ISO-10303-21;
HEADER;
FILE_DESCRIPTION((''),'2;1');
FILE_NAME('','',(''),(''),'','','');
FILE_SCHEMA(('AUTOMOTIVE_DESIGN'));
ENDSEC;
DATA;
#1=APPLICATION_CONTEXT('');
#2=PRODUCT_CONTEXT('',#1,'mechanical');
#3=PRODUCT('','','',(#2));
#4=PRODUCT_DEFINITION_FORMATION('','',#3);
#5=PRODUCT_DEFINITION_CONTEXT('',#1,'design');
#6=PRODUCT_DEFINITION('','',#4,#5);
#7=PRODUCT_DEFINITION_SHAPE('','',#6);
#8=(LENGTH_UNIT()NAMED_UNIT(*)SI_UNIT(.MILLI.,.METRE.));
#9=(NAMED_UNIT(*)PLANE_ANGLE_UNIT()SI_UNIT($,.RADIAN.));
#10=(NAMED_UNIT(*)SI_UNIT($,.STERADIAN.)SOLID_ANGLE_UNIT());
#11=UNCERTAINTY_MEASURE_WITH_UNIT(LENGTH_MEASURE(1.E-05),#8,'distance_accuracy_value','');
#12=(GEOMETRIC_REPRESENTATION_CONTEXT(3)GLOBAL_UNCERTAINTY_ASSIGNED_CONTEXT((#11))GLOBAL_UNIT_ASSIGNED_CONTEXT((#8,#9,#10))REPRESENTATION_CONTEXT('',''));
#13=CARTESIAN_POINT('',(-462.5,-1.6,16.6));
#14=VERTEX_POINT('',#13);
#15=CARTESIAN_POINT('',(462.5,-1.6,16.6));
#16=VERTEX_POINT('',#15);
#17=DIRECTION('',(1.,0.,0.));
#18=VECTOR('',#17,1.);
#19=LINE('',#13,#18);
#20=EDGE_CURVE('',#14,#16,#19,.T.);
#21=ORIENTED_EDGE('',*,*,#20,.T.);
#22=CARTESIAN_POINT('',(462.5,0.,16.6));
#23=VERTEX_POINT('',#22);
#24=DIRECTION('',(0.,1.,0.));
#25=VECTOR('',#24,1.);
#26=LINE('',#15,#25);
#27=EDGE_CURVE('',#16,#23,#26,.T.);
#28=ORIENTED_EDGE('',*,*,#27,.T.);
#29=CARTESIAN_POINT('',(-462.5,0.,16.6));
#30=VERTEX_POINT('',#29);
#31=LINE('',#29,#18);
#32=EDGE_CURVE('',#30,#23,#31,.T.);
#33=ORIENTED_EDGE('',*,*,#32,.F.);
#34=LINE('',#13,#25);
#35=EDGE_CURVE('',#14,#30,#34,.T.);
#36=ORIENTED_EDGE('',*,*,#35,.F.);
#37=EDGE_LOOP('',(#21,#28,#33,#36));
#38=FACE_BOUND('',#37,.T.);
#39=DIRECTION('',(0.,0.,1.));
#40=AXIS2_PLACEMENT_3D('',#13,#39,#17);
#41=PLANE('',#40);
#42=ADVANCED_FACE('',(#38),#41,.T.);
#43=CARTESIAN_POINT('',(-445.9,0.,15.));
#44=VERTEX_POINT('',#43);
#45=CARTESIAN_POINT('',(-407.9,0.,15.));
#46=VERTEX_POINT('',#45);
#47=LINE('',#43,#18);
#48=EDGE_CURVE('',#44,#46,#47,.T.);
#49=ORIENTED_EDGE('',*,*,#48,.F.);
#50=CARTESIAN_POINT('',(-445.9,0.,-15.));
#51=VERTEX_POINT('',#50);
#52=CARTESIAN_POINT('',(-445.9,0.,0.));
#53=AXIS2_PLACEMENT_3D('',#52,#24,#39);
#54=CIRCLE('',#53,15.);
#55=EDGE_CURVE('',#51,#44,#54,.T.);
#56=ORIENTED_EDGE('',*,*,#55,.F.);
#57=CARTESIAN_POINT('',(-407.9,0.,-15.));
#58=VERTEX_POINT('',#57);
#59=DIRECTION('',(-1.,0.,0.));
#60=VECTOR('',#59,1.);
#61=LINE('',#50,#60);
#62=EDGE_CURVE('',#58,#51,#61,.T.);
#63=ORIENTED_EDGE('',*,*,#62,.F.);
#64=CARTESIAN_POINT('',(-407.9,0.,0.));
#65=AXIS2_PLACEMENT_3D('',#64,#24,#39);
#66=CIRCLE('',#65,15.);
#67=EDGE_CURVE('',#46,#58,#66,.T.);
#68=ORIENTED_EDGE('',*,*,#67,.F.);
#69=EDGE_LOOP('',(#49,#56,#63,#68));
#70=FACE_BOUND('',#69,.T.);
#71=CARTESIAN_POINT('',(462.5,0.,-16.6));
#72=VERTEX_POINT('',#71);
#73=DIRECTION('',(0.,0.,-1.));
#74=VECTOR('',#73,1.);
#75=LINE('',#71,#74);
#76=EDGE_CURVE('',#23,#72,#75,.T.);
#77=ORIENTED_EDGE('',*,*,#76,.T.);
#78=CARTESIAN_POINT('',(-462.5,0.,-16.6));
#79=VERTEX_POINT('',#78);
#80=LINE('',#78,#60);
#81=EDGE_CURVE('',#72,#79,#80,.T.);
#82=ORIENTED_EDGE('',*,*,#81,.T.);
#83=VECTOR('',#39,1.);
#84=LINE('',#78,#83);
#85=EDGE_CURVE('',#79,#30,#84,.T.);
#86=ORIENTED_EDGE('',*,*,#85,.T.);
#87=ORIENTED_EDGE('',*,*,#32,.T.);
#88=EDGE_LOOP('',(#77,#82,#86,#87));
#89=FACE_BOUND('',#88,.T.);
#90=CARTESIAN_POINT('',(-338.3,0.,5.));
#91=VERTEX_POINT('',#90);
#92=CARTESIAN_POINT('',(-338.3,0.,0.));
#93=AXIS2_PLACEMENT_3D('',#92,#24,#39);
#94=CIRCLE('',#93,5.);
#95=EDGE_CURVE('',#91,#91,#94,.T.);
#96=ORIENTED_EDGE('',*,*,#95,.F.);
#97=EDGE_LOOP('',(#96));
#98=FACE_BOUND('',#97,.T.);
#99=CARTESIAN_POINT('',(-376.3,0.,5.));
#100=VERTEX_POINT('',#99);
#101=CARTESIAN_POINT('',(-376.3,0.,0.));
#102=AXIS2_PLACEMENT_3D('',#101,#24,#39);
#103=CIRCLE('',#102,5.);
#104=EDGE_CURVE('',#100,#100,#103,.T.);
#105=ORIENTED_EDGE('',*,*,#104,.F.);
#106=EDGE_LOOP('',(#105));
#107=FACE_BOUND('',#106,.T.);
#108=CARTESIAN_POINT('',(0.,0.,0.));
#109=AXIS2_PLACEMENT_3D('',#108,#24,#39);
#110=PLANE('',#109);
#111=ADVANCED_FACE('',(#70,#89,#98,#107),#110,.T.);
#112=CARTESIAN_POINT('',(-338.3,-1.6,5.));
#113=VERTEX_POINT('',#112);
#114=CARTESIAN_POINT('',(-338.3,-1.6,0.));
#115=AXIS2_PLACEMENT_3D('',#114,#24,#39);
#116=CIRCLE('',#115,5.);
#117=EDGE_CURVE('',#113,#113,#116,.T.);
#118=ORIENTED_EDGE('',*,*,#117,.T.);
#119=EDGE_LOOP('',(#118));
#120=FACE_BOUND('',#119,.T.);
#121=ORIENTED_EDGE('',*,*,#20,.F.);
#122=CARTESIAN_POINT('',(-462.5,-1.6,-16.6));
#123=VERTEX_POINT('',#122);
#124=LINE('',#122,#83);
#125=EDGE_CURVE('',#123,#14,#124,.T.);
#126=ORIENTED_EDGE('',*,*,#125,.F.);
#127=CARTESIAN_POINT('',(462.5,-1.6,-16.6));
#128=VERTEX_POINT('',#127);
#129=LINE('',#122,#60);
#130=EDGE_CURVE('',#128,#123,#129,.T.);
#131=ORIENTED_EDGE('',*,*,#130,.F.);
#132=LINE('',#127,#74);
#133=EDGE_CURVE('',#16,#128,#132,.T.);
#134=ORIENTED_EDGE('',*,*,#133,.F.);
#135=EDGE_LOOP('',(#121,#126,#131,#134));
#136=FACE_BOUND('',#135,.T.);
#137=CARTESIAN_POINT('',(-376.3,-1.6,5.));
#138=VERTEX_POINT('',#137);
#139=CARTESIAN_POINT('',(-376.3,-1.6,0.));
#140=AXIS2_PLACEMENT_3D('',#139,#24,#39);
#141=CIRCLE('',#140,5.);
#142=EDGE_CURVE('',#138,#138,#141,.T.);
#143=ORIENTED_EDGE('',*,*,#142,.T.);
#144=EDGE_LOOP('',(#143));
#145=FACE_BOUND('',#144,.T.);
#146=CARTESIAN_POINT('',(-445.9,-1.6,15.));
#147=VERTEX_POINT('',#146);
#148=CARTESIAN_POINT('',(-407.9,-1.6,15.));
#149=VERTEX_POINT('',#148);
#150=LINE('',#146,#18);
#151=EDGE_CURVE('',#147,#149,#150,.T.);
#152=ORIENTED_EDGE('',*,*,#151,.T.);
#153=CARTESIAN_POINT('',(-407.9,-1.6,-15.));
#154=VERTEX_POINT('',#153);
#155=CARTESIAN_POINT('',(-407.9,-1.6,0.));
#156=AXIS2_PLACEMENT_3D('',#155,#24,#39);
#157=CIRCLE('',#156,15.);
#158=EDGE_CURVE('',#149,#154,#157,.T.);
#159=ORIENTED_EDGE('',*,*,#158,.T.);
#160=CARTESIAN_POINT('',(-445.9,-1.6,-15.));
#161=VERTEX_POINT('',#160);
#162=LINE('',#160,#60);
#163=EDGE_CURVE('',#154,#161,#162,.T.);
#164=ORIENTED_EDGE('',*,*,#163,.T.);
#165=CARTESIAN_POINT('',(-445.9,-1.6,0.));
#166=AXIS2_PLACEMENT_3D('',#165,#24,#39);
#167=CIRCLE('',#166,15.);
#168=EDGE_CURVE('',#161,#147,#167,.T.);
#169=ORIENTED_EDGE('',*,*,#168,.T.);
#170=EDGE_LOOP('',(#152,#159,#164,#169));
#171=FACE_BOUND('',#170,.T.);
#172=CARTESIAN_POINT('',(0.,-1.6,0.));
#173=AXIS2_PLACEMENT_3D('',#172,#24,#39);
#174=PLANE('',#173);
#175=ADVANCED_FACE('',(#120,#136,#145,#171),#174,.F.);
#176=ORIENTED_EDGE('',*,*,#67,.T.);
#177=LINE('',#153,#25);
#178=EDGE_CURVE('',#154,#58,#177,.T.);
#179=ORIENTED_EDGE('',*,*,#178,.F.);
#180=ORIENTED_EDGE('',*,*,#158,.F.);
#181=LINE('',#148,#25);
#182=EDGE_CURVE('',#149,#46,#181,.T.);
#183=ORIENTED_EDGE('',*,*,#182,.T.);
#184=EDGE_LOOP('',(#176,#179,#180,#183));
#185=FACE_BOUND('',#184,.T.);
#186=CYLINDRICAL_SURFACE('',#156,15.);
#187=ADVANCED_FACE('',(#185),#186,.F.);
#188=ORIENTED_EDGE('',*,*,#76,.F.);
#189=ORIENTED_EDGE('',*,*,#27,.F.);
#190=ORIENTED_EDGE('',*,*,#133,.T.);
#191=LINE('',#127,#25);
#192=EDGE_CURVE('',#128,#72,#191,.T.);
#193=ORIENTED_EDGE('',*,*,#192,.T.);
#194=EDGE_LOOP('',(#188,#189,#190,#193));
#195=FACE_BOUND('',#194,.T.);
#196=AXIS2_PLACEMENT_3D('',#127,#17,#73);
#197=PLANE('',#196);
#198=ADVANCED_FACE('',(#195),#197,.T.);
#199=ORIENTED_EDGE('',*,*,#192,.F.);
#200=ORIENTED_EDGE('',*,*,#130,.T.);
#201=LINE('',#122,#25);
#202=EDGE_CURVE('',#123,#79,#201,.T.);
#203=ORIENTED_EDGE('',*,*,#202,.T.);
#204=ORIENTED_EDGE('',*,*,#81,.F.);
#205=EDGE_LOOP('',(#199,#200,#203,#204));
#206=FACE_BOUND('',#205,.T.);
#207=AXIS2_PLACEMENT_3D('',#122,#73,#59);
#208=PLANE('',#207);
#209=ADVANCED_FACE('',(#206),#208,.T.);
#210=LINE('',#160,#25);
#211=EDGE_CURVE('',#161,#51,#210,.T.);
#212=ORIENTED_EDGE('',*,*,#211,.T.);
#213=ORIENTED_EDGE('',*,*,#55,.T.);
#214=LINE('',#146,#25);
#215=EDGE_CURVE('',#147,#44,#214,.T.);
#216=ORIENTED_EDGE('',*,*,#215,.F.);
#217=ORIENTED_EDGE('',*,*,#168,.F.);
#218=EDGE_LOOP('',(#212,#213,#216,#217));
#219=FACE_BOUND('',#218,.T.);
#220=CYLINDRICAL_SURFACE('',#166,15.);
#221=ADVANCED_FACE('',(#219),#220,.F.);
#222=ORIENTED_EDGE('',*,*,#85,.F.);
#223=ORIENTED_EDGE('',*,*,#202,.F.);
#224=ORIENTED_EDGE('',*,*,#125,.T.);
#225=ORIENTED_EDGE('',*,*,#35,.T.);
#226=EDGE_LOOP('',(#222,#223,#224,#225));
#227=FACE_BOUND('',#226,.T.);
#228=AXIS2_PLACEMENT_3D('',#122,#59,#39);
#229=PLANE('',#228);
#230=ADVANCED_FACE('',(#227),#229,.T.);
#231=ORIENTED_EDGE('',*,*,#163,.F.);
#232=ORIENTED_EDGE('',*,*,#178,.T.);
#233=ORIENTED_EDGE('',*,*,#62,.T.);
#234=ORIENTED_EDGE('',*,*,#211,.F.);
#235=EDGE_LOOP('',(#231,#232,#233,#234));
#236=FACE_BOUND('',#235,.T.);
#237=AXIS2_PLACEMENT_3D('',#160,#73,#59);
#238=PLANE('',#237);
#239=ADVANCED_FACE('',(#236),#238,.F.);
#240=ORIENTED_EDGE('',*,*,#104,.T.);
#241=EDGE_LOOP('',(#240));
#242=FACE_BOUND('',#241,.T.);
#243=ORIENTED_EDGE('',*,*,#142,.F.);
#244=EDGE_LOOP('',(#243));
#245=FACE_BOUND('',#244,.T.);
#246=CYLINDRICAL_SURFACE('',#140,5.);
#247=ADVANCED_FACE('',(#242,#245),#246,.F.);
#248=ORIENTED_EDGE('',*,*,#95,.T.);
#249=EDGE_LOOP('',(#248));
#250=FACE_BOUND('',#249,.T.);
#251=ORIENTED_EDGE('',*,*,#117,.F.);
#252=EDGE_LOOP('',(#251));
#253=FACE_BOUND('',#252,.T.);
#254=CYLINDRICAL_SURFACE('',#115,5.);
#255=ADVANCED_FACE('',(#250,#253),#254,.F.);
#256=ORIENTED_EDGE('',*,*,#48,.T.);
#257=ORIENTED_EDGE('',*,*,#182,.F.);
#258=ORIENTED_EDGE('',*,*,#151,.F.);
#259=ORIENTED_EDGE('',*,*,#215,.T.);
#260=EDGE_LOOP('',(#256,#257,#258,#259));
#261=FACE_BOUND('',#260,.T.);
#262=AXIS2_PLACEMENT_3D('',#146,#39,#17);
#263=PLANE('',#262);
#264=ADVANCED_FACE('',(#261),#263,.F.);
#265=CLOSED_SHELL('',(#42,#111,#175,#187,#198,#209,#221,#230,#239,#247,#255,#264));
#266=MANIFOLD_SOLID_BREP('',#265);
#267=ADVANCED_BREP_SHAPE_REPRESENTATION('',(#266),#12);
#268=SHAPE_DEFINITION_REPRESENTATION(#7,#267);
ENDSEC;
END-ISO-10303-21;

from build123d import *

# Parameters (mm, degrees)
SKETCH1_W           = 925
SKETCH1_H           = 33.2
BOSS_EXTRUDE1_DEPTH = 1.6
SKETCH2_R           = 5
CUT_EXTRUDE1_DEPTH  = 463.800572601


with BuildPart() as part:
    # Sketch1 → Boss-Extrude1 (new body)
    with BuildSketch(Plane(origin=(0, 0, 0), x_dir=(1, 0, 0), z_dir=(0, 1, 0))):
        Rectangle(SKETCH1_W, SKETCH1_H)
    extrude(amount=-BOSS_EXTRUDE1_DEPTH)

    # Sketch2 → Cut-Extrude1 (cut, through all)
    with BuildSketch(Plane(origin=(0, 0, 0), x_dir=(1, 0, 0), z_dir=(0, 1, 0))):
        with Locations((-376.3, 0)):
            Circle(SKETCH2_R)
        with Locations((-338.3, 0)):
            Circle(SKETCH2_R)
        with BuildLine():
            Line((-445.9, 15), (-407.9, 15))
            ThreePointArc((-407.9, 15), (-392.9, 0), (-407.9, -15))
            Line((-407.9, -15), (-445.9, -15))
            ThreePointArc((-445.9, -15), (-460.9, 0), (-445.9, 15))
        make_face()
    extrude(amount=-CUT_EXTRUDE1_DEPTH, mode=Mode.SUBTRACT)


solid = part.part
